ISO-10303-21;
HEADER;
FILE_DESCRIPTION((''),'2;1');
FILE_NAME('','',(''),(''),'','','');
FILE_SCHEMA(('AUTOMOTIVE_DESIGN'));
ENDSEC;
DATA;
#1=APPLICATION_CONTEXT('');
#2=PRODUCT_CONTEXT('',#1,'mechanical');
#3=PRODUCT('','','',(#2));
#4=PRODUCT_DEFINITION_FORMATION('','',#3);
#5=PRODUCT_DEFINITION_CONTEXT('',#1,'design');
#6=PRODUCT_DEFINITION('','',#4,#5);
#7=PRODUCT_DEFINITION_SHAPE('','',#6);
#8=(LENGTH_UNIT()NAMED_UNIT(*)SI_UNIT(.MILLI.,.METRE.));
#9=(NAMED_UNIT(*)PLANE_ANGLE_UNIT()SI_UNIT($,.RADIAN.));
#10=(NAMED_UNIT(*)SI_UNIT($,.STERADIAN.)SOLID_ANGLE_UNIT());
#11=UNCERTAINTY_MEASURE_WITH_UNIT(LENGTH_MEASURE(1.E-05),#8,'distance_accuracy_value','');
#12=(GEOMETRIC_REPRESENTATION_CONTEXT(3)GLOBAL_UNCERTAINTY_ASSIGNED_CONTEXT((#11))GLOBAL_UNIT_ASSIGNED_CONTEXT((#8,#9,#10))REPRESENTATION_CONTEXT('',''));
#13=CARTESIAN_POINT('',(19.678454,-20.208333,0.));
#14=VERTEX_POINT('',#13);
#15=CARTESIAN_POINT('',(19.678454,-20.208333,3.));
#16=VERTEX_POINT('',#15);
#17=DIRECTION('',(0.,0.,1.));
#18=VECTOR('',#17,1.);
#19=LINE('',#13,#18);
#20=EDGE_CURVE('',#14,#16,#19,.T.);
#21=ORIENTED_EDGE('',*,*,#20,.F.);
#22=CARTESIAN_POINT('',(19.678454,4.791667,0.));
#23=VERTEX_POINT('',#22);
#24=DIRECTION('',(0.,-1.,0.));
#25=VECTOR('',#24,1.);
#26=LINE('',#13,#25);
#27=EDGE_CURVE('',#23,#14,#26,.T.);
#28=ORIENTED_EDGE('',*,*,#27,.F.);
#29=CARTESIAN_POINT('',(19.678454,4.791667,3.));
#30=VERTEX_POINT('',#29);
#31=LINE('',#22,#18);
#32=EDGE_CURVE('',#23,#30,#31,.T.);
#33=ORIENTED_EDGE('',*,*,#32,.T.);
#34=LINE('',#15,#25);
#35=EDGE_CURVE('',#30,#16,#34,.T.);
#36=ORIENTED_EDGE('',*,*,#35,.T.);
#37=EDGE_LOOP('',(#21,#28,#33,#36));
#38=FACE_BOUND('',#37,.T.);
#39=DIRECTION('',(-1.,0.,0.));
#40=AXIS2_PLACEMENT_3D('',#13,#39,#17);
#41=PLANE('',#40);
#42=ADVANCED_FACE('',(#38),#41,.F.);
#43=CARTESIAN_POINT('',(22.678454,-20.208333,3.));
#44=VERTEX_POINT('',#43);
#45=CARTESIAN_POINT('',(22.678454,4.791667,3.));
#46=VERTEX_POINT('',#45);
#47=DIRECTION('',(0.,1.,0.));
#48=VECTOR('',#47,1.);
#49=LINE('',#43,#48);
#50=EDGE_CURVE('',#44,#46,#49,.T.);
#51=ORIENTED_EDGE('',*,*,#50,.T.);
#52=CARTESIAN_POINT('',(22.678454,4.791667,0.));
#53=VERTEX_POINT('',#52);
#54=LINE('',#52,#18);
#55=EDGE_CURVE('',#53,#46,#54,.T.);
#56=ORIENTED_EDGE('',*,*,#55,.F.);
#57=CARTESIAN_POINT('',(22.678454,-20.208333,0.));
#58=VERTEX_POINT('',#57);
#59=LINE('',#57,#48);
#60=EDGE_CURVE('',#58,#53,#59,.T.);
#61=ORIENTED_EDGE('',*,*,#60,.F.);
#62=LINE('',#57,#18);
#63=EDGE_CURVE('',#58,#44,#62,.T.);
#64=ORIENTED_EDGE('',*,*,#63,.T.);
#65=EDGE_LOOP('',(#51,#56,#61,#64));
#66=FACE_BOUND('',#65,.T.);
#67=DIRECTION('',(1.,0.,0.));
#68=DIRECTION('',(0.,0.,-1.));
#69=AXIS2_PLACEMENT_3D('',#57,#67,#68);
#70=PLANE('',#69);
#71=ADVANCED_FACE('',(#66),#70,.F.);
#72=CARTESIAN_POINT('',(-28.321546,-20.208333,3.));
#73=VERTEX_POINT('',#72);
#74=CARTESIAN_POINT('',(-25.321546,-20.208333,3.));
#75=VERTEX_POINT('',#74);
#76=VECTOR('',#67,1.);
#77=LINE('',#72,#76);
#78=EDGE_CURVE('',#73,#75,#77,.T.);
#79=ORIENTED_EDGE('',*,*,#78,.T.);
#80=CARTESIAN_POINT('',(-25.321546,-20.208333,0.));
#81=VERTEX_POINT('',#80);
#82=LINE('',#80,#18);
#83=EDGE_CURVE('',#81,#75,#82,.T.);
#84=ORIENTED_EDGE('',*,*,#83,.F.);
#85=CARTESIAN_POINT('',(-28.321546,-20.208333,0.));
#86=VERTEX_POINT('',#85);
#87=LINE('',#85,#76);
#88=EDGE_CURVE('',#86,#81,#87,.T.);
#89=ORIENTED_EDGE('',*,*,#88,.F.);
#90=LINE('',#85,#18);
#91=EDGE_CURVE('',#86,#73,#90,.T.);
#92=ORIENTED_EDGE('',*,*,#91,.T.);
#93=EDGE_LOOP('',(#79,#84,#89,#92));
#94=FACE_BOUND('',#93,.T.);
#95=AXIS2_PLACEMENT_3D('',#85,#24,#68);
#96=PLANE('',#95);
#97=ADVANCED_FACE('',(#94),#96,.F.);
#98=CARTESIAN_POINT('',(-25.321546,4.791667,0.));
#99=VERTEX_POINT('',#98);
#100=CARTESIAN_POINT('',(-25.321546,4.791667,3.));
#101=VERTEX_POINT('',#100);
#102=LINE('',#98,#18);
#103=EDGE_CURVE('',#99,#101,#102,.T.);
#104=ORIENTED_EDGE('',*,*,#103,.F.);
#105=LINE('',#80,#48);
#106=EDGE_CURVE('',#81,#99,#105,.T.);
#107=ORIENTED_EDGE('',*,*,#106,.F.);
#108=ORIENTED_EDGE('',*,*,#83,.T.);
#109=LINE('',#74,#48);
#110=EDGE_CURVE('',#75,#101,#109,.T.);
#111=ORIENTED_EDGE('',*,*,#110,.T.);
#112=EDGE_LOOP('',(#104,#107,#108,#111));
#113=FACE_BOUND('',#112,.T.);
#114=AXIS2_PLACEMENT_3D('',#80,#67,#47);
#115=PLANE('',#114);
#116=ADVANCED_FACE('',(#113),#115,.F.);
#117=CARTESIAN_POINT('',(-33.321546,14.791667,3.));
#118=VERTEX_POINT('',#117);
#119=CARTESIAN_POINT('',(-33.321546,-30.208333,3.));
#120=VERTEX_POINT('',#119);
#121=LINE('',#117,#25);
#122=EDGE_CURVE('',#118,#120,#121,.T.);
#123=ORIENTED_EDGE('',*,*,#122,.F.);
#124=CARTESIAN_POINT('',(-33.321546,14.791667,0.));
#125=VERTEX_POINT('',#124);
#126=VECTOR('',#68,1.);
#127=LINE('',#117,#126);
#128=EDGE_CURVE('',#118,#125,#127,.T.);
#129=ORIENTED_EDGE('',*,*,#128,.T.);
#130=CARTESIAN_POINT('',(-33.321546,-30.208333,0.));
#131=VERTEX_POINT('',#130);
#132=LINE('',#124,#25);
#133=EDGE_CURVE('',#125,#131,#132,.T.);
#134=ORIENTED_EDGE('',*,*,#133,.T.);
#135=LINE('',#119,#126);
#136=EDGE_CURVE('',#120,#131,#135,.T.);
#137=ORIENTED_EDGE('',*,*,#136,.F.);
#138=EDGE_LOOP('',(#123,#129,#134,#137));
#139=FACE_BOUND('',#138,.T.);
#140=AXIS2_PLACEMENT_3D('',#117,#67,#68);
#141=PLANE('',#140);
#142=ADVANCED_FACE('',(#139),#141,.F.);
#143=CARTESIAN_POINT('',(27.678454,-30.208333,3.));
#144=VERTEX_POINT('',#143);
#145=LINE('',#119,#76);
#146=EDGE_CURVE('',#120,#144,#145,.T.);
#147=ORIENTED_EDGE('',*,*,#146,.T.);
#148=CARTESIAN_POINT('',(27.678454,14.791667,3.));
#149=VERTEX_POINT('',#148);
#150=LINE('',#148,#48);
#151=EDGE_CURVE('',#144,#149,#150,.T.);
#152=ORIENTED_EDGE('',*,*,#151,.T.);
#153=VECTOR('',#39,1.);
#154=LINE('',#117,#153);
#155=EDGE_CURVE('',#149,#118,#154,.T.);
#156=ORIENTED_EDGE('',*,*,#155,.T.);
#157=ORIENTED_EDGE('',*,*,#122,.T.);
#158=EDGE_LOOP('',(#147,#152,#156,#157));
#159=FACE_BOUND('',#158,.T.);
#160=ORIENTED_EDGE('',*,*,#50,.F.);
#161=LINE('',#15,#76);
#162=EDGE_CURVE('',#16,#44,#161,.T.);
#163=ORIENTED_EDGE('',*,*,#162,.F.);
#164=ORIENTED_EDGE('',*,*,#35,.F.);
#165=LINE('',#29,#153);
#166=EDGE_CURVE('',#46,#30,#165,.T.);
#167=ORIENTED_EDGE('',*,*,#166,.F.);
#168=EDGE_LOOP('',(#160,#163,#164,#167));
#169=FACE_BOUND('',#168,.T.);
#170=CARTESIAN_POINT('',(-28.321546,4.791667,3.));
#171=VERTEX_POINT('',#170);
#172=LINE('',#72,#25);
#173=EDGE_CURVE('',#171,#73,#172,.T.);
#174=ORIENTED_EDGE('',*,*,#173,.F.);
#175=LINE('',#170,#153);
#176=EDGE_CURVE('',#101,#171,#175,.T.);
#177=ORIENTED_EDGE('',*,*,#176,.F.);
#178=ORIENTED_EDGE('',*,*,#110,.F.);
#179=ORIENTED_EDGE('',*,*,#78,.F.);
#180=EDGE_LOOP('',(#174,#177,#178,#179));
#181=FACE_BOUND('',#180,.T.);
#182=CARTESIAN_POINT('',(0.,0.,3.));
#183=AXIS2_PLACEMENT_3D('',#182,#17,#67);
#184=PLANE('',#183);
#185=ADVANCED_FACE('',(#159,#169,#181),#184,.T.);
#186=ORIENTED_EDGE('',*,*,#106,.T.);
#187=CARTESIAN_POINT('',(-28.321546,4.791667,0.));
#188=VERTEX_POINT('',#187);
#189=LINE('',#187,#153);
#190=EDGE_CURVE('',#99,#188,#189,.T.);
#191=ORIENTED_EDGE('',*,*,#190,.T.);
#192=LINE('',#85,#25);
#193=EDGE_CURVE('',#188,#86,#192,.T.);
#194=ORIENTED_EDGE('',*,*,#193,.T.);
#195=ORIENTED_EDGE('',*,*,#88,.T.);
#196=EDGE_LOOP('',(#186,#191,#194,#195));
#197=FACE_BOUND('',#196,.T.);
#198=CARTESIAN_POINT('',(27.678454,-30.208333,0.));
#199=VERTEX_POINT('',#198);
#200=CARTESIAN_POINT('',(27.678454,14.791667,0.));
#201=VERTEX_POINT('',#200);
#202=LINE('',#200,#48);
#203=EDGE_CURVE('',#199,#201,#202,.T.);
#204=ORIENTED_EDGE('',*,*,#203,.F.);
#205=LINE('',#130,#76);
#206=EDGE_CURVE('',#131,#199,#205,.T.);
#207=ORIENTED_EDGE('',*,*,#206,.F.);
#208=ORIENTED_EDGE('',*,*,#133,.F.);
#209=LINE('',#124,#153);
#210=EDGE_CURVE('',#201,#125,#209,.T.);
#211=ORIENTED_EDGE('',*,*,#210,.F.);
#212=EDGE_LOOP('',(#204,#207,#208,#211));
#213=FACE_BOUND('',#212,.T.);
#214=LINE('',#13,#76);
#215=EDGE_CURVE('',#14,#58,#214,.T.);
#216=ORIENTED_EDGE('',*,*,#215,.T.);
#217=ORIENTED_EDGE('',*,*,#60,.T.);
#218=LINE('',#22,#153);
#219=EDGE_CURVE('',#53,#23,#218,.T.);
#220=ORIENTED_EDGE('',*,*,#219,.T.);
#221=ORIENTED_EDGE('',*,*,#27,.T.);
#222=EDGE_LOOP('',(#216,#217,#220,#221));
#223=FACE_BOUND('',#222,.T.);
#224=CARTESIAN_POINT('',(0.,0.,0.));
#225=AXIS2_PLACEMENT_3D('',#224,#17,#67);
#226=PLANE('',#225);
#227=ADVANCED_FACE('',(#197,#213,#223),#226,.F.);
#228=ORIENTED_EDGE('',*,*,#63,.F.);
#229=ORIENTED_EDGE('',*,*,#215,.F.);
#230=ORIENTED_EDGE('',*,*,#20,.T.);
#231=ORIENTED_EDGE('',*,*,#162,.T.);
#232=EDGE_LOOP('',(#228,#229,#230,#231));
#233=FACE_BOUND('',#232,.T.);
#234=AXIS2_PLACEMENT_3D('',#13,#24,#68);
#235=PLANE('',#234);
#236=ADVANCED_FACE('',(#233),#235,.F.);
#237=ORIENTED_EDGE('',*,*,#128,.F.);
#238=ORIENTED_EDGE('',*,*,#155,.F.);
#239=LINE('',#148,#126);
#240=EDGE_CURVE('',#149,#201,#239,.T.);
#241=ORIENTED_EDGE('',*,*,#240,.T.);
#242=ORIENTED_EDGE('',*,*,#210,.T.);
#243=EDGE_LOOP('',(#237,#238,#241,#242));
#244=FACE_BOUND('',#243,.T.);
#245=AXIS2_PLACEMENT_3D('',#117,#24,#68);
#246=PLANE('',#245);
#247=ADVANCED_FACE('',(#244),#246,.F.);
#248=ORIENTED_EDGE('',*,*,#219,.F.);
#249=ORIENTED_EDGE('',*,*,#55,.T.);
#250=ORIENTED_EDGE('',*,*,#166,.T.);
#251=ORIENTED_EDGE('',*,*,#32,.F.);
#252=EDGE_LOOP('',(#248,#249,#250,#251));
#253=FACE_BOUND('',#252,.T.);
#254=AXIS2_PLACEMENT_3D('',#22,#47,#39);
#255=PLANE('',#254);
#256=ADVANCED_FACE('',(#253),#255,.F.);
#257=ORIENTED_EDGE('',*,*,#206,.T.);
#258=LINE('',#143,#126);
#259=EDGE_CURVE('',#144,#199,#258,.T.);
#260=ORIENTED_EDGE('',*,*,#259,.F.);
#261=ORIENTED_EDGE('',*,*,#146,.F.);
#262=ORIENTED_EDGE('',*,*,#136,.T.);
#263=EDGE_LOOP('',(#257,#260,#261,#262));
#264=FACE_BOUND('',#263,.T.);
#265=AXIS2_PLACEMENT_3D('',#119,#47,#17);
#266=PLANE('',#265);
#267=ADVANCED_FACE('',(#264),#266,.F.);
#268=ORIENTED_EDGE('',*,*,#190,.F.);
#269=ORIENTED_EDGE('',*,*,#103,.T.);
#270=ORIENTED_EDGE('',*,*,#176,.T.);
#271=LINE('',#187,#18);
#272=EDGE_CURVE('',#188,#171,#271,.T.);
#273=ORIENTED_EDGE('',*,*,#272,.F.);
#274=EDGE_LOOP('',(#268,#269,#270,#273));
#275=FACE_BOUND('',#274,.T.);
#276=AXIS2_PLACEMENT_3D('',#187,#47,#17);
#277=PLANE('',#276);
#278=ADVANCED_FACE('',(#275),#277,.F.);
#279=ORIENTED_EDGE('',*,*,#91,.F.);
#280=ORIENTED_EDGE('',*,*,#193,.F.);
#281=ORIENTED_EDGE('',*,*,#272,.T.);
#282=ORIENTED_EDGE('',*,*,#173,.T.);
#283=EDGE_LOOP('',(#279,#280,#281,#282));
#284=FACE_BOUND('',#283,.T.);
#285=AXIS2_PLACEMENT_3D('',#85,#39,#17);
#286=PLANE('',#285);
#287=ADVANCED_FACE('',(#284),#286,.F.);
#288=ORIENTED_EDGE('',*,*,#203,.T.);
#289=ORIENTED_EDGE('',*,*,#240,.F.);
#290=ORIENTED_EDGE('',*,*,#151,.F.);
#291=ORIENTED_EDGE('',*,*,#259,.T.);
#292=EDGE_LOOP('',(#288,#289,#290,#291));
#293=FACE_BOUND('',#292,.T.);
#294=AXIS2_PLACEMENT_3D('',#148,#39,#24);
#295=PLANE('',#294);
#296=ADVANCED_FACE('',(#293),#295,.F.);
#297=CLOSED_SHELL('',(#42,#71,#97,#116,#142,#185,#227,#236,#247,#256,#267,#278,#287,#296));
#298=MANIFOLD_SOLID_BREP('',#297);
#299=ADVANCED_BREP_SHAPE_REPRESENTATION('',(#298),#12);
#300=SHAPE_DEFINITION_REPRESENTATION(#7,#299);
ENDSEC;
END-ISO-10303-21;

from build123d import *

# Parameters (mm, degrees)
ESBO_O1_W                = 61
ESBO_O1_H                = 45
RESSALTO_EXTRUS_O1_DEPTH = 3
ESBO_O3_W                = 3
ESBO_O3_H                = 25
CORTE_EXTRUS_O1_DEPTH    = 3


with BuildPart() as part:
    # Esboço1 → Ressalto-extrusão1 (new body)
    with BuildSketch(Plane.XY):
        with Locations((-2.821546011, -7.708333333)):
            Rectangle(ESBO_O1_W, ESBO_O1_H)
    extrude(amount=RESSALTO_EXTRUS_O1_DEPTH)

    # Esboço3 → Corte-extrusão1 (cut)
    with BuildSketch(Plane.XY.offset(3)):
        with Locations((-26.821546011, -7.708333333)):
            Rectangle(ESBO_O3_W, ESBO_O3_H)
        with Locations((21.178453989, -7.708333333)):
            Rectangle(ESBO_O3_W, ESBO_O3_H)
    extrude(amount=-CORTE_EXTRUS_O1_DEPTH, mode=Mode.SUBTRACT)


solid = part.part
